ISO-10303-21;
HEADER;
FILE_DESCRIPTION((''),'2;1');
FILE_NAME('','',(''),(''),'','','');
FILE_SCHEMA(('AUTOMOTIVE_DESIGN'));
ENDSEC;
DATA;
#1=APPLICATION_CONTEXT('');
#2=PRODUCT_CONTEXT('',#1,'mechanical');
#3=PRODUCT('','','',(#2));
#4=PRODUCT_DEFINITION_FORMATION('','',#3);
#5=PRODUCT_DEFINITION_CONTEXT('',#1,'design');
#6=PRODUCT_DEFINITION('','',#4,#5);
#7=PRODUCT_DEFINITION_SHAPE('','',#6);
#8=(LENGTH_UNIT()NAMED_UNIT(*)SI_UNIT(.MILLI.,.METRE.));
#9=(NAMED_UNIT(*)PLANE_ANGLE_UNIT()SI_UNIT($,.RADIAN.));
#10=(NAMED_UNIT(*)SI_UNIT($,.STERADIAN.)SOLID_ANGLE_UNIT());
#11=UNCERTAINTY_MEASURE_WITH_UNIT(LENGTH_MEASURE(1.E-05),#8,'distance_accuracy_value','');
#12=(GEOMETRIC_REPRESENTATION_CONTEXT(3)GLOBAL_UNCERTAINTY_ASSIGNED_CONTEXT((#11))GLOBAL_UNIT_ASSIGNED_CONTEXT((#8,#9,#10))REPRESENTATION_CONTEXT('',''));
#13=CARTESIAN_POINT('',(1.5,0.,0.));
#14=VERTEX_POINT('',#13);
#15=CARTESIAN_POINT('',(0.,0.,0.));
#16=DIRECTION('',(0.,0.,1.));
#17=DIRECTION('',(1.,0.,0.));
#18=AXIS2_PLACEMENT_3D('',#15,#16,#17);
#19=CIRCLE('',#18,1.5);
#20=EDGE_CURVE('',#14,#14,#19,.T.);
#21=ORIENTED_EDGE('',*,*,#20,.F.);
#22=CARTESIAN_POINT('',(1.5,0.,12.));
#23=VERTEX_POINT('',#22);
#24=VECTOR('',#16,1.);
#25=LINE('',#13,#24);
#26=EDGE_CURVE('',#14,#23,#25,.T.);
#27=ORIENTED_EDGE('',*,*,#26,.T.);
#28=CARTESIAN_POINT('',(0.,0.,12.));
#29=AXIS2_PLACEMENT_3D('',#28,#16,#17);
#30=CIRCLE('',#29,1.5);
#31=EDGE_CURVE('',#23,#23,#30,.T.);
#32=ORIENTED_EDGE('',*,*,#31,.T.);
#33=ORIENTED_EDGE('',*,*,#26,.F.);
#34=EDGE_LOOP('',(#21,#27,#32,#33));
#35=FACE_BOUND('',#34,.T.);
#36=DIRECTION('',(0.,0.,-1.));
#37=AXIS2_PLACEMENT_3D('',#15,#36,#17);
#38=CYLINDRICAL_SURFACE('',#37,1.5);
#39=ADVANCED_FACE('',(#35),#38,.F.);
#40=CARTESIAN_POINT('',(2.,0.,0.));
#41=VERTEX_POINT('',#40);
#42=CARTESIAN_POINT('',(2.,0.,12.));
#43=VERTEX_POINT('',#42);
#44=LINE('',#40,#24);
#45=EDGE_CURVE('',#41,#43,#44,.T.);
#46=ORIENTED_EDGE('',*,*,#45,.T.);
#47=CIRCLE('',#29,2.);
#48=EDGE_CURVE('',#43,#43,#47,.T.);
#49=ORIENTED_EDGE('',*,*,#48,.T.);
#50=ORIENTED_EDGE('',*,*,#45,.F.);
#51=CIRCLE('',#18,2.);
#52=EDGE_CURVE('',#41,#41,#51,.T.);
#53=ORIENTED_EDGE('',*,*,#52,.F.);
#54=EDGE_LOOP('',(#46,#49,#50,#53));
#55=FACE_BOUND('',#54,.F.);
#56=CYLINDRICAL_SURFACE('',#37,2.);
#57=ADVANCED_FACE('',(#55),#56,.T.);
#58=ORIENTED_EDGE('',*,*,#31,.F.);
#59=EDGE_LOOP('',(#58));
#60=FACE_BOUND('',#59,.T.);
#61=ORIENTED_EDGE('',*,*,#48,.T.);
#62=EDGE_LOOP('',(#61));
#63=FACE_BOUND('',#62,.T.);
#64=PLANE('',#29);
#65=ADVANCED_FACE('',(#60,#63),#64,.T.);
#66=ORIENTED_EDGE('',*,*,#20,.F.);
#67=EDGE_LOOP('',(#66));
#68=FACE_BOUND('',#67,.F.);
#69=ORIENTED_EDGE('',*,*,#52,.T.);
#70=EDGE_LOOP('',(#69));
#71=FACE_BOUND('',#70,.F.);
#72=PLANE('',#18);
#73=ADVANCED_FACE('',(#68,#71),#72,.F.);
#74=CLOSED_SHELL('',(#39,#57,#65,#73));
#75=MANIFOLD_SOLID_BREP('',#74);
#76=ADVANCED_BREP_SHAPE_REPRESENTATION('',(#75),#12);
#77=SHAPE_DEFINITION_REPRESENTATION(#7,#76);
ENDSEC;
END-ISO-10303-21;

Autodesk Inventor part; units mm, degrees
ref_plane "YZ Plane" through (0, 0, 0) normal (1, 0, 0) x (0, 1, 0)
ref_plane "XZ Plane" through (0, 0, 0) normal (0, 1, 0) x (-1, 0, 0)
ref_plane "XY Plane" through (0, 0, 0) normal (0, 0, 1) x (1, 0, 0)
sketch "Skizze1" plane through (0, 0, 0) normal (0, 0, 1) x (1, 0, 0)
  circle A0 centre (0, 0) radius 1.5
  circle A1 centre (0, 0) radius 2
  dimension "d0" = 3
  dimension "d1" = 4
extrude "Extrusion1" add sketch "Skizze1" along normal blind 12
properties part number "Abstandshalter 12mm" material "ABS-Kunststoff"
